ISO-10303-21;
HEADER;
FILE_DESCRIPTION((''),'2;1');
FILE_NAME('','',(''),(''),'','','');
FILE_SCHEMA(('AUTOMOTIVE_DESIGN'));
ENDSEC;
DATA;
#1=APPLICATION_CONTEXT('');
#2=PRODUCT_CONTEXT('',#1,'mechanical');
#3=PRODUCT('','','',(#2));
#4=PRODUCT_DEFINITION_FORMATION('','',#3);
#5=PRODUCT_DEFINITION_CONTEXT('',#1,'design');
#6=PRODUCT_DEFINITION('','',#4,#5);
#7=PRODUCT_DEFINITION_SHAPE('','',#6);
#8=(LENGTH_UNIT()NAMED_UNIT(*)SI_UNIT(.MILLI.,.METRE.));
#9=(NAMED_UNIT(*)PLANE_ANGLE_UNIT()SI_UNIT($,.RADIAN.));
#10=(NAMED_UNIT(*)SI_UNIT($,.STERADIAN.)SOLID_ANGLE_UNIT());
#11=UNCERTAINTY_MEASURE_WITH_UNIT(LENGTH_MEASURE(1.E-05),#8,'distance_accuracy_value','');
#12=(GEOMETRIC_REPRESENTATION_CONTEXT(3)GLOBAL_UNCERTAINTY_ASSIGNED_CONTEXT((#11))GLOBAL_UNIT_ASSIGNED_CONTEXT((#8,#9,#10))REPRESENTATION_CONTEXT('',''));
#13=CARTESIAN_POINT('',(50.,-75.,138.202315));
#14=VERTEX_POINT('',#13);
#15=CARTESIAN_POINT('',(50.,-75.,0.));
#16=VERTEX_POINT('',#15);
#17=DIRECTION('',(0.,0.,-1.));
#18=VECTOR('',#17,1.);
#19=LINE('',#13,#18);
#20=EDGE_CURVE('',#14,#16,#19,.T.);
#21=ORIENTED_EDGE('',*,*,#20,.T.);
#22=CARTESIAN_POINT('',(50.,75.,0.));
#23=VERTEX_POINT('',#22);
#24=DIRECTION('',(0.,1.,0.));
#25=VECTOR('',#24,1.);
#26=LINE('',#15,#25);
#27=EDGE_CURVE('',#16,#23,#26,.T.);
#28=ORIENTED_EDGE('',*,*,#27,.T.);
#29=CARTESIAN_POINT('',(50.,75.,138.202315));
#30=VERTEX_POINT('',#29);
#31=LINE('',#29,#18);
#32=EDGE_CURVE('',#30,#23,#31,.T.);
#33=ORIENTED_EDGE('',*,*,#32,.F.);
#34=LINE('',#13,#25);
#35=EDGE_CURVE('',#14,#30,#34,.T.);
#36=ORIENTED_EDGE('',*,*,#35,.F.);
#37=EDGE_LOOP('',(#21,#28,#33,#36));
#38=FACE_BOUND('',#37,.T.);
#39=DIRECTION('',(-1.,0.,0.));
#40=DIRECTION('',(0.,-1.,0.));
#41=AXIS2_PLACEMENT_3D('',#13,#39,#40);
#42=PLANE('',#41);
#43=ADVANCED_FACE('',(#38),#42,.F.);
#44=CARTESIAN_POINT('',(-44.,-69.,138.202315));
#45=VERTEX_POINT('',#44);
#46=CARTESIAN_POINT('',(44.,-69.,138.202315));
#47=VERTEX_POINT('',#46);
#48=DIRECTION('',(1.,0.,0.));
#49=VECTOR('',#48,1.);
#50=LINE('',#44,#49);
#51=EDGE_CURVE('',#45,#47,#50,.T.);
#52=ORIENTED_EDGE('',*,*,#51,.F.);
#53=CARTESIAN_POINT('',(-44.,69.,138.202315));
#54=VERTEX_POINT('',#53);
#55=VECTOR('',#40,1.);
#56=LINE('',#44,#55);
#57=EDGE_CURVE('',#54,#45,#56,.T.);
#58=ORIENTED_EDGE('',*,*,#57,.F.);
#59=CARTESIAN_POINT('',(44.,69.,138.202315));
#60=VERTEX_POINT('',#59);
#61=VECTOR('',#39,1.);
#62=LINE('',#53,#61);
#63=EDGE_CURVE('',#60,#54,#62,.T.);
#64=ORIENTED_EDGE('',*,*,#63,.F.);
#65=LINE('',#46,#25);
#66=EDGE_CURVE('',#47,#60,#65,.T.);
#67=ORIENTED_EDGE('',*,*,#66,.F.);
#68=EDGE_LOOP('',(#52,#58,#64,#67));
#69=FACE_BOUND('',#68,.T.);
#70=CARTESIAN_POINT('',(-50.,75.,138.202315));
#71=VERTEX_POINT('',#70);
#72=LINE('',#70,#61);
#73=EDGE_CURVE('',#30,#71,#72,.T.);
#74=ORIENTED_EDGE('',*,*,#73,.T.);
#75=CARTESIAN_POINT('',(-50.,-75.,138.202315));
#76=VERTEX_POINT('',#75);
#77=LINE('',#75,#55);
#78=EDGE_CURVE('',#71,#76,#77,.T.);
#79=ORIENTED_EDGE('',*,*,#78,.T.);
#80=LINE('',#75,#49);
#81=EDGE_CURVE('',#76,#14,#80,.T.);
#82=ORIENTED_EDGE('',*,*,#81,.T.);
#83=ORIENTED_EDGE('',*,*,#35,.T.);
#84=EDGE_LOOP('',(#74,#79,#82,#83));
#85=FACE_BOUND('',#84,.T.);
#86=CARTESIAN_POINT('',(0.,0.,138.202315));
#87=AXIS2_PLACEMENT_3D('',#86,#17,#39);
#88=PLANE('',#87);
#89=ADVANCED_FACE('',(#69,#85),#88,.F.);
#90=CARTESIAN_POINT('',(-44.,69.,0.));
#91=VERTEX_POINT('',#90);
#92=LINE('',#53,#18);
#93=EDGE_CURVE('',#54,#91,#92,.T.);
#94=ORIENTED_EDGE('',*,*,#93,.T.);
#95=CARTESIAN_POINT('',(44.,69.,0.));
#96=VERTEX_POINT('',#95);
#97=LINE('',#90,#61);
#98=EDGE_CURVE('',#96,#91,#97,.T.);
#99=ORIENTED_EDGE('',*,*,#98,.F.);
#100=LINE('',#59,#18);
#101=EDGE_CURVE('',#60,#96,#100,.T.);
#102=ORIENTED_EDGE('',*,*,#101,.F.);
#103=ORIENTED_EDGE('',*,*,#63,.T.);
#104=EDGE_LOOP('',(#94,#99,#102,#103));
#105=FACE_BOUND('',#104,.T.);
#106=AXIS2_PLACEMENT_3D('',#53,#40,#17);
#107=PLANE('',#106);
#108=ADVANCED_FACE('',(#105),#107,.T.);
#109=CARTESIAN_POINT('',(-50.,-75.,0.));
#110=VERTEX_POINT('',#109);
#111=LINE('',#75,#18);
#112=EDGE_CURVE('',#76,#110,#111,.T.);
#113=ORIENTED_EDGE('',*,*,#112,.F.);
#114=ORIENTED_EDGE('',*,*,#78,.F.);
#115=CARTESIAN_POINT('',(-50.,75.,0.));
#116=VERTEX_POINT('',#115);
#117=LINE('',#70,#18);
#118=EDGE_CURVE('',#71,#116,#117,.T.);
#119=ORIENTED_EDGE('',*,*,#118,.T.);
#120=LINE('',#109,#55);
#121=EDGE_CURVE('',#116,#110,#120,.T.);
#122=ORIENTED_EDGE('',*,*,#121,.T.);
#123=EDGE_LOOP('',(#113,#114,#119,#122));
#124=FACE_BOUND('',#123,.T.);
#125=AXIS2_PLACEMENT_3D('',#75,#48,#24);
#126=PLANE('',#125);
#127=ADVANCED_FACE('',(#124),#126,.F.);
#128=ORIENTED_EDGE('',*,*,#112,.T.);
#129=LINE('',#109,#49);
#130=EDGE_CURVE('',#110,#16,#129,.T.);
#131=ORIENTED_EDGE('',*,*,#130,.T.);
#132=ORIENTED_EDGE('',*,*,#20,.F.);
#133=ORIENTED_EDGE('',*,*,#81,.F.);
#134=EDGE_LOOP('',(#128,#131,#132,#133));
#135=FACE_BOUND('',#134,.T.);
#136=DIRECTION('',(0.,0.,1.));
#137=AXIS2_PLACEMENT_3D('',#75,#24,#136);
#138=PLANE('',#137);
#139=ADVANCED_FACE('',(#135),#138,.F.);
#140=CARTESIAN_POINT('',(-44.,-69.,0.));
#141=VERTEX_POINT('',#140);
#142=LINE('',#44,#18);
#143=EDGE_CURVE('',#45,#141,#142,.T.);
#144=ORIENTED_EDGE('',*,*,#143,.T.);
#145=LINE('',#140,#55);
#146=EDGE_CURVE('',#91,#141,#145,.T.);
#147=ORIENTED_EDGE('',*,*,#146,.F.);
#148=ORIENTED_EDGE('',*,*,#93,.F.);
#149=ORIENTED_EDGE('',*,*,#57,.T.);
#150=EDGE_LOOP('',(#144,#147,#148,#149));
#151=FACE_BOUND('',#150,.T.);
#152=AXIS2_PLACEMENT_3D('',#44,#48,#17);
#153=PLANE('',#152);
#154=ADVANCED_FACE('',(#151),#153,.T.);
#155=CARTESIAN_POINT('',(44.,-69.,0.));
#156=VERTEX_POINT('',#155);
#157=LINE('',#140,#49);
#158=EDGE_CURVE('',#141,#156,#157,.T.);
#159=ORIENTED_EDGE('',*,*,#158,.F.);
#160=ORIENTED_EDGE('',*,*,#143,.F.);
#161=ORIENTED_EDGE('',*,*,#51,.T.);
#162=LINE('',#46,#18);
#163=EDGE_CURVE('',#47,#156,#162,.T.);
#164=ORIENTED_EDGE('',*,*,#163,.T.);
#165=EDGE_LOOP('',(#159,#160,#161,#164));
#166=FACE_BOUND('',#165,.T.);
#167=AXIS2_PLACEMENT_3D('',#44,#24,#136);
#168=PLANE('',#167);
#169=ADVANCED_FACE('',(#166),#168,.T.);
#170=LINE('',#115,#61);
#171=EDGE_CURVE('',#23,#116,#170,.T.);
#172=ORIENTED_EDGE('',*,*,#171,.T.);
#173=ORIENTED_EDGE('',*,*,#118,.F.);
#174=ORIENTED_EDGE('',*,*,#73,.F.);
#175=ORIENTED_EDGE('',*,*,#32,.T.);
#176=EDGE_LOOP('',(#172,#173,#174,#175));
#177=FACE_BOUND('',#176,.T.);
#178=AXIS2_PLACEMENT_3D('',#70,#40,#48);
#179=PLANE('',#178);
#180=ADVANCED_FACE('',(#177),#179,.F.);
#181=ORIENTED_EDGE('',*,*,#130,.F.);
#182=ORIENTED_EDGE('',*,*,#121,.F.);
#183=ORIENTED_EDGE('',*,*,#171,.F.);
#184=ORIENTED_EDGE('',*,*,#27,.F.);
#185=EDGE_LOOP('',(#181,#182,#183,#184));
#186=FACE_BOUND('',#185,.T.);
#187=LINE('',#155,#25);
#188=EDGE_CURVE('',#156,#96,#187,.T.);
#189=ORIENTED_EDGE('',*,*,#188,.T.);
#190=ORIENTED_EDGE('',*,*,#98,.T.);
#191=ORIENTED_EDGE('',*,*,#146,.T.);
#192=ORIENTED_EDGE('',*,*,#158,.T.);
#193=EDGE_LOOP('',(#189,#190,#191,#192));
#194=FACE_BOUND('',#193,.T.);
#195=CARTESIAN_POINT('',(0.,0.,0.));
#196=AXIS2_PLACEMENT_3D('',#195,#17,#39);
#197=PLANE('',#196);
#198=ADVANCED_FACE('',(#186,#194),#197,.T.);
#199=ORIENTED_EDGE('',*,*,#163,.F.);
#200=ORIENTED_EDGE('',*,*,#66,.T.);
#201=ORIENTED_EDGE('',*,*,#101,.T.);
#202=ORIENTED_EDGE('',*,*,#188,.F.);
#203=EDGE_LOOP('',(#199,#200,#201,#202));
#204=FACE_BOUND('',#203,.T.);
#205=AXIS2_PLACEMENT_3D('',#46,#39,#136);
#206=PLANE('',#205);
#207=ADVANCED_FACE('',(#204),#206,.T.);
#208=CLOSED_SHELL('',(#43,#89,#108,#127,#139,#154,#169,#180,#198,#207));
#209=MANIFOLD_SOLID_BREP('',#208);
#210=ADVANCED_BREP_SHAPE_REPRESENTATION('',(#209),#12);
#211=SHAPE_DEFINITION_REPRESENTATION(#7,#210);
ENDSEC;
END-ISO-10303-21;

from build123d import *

# Parameters (mm, degrees)
SKETCH1_W           = 100
SKETCH1_H           = 150
SKETCH1_W_2         = 88
SKETCH1_H_2         = 138
BOSS_EXTRUDE1_DEPTH = 138.202315188


with BuildPart() as part:
    # Sketch1 → Boss-Extrude1 (new body)
    with BuildSketch(Plane.XY):
        Rectangle(SKETCH1_W, SKETCH1_H)
        Rectangle(SKETCH1_W_2, SKETCH1_H_2, mode=Mode.SUBTRACT)
    extrude(amount=BOSS_EXTRUDE1_DEPTH)


solid = part.part
